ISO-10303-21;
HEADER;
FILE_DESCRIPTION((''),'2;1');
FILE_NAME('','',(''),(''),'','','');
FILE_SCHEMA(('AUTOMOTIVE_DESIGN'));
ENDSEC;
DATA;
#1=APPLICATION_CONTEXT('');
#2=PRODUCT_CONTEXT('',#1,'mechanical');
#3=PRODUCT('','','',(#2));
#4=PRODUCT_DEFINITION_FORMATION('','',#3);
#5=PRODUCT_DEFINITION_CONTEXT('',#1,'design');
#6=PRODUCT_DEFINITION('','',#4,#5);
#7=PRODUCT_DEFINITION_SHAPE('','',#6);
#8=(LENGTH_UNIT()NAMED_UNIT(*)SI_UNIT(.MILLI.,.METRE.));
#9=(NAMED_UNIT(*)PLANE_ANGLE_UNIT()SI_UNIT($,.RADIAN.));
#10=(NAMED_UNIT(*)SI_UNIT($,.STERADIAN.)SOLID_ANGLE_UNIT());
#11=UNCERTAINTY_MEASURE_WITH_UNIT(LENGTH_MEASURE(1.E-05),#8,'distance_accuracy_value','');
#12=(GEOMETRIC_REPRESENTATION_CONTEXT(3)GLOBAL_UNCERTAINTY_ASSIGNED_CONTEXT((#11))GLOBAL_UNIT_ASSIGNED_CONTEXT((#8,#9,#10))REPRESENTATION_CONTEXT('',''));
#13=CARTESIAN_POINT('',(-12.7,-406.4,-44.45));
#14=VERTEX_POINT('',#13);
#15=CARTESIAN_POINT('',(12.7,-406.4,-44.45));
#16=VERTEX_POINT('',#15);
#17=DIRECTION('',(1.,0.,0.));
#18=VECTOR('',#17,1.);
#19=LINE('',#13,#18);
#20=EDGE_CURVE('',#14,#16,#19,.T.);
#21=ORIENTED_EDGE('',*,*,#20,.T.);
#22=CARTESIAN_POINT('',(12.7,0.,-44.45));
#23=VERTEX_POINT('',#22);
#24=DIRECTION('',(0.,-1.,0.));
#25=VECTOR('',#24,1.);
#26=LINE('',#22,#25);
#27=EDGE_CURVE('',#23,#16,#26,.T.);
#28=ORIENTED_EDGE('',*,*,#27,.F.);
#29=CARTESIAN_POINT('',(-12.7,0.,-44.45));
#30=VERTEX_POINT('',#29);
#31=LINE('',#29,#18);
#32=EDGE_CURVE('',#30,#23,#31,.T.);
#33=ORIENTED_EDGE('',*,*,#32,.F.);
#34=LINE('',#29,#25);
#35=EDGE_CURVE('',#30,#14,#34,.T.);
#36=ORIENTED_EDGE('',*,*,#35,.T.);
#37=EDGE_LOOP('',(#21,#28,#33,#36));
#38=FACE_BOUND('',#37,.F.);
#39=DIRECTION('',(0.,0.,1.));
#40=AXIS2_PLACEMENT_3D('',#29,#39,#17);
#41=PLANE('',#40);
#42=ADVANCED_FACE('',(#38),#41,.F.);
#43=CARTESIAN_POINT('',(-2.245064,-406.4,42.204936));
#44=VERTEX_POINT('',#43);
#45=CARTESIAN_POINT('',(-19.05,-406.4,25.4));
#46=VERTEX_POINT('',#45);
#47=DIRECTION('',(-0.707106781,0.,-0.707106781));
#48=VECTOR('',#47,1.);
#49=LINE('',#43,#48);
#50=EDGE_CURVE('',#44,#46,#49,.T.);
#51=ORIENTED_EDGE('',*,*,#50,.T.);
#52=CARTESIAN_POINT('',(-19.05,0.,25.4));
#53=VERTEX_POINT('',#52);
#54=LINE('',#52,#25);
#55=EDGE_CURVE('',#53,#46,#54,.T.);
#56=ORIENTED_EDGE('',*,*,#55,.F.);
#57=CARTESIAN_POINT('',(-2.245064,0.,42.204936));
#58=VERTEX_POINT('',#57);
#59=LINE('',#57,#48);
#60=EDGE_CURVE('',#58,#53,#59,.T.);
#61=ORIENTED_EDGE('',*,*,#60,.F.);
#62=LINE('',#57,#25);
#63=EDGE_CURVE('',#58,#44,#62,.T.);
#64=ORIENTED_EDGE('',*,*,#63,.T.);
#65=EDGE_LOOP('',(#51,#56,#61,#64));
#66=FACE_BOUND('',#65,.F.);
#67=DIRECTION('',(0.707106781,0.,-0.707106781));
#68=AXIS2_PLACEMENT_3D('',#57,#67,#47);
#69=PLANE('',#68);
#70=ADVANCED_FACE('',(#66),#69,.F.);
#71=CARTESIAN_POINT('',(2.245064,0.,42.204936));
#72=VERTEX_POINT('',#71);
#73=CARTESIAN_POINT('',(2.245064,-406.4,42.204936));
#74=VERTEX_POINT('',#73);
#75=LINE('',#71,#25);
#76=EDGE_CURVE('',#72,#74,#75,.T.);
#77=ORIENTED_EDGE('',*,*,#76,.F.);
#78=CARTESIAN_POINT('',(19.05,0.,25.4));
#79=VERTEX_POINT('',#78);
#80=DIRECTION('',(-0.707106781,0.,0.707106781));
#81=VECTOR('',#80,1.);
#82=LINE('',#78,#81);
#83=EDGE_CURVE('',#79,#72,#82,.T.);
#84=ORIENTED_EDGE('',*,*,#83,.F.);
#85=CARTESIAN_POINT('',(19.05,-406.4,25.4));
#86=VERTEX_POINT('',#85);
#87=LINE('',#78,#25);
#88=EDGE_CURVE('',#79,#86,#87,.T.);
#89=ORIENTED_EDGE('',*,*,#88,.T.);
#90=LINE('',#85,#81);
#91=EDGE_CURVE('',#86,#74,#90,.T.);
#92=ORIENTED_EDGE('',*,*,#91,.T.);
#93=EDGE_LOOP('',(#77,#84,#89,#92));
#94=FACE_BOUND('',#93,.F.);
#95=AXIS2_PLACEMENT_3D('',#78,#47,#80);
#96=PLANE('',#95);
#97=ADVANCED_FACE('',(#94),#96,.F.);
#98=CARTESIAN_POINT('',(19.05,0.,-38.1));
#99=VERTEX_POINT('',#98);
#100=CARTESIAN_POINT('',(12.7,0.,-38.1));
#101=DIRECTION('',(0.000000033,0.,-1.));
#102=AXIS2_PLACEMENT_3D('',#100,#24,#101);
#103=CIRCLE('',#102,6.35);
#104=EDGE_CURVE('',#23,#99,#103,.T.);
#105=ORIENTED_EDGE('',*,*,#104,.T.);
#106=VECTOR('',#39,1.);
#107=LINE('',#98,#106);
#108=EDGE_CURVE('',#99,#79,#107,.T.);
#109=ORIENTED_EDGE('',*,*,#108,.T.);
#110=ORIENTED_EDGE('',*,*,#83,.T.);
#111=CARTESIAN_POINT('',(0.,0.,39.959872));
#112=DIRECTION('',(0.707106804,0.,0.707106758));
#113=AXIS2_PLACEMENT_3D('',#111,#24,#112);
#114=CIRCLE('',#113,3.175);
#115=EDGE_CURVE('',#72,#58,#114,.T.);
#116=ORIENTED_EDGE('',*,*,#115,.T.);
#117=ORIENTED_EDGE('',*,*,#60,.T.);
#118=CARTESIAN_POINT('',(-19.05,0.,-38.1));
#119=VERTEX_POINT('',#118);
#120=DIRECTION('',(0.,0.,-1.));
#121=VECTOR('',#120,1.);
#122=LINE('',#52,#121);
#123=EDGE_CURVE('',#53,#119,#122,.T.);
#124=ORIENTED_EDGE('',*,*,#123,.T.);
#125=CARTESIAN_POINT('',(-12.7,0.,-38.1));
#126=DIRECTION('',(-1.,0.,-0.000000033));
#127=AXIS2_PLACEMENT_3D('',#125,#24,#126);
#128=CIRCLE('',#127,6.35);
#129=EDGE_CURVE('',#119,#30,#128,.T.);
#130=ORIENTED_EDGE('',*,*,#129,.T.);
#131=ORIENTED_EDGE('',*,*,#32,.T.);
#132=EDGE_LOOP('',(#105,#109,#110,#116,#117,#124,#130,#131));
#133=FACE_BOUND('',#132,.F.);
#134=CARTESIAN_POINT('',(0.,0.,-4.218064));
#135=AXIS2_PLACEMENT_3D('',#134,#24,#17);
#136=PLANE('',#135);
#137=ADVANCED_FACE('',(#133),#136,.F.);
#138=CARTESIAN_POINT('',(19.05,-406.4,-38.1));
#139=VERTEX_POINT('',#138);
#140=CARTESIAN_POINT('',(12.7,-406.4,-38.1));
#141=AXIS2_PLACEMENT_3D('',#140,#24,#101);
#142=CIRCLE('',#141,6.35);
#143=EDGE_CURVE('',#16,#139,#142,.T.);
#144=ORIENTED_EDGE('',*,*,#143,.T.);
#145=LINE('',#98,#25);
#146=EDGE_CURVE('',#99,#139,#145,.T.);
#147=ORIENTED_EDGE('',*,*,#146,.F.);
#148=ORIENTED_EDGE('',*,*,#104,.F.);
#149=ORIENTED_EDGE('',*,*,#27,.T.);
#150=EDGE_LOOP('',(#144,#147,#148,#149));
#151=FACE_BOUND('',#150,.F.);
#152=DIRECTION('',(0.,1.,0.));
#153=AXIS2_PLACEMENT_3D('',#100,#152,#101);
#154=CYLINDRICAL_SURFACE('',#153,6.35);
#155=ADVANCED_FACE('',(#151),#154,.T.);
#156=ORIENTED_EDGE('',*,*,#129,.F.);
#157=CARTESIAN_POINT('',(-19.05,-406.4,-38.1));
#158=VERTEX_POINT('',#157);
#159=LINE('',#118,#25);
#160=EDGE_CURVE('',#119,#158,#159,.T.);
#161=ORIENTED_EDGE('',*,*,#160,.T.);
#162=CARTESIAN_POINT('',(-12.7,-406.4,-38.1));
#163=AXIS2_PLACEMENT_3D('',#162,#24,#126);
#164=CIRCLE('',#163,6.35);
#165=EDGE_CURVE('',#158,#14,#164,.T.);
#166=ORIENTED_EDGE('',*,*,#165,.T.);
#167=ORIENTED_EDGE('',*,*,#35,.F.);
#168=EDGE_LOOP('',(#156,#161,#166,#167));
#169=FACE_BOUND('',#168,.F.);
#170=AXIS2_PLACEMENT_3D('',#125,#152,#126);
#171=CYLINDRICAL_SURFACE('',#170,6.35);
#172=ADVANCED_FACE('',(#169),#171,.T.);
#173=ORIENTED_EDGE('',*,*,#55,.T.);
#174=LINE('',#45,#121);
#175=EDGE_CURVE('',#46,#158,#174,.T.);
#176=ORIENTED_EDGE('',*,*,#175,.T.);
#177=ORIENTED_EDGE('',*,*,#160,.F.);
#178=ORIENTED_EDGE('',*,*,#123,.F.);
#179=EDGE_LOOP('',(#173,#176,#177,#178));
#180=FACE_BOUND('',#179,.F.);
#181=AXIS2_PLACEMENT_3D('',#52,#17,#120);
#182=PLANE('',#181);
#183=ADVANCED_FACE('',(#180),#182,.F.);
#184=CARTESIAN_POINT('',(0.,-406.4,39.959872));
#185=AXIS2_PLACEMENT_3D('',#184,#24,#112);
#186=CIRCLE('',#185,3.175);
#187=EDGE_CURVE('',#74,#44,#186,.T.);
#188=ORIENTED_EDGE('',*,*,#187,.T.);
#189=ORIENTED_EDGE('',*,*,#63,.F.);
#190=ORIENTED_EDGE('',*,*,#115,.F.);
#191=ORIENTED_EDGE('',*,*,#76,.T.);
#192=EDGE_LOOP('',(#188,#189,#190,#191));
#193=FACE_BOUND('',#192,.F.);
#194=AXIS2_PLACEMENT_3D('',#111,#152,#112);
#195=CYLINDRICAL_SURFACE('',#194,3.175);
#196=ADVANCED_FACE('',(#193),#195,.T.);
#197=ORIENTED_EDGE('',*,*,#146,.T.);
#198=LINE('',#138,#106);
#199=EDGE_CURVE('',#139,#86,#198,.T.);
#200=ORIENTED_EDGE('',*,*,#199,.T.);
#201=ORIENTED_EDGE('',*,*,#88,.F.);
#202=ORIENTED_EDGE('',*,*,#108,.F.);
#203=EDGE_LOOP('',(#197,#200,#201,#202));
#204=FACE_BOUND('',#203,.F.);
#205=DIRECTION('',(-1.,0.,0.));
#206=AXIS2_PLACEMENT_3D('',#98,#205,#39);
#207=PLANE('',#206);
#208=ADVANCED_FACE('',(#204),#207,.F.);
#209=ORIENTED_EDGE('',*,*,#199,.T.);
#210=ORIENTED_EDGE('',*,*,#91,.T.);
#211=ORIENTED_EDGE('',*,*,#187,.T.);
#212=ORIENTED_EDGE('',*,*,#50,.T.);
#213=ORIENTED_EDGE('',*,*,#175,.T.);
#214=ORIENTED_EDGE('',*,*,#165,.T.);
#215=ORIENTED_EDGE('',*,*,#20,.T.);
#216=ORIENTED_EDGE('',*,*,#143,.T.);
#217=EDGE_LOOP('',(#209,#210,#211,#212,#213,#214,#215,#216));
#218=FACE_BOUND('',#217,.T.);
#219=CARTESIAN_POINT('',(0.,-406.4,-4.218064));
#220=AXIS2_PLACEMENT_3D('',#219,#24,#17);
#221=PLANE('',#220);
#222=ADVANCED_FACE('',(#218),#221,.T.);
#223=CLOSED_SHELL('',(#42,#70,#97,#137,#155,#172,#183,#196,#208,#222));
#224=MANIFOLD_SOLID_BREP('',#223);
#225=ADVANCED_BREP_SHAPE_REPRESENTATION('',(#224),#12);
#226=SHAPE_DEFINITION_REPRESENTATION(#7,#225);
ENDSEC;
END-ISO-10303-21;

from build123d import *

# Parameters (mm, degrees)
F1_DEPTH = 406.4


with BuildPart() as f1:
    # F0 (on Front) → F1 (new body)
    with BuildSketch(Plane.XZ):
        with BuildLine():
            Line((-12.7, -44.45), (12.7, -44.45))
            ThreePointArc((12.7, -44.45), (17.190128, -42.590128), (19.05, -38.1))
            Line((19.05, -38.1), (19.05, 25.4))
            Line((19.05, 25.4), (2.245064, 42.204936))
            ThreePointArc((2.245064, 42.204936), (0, 43.134872), (-2.245064, 42.204936))
            Line((-2.245064, 42.204936), (-19.05, 25.4))
            Line((-19.05, 25.4), (-19.05, -38.1))
            ThreePointArc((-19.05, -38.1), (-17.190128, -42.590128), (-12.7, -44.45))
        make_face()
    extrude(amount=F1_DEPTH)


solid = f1.part
